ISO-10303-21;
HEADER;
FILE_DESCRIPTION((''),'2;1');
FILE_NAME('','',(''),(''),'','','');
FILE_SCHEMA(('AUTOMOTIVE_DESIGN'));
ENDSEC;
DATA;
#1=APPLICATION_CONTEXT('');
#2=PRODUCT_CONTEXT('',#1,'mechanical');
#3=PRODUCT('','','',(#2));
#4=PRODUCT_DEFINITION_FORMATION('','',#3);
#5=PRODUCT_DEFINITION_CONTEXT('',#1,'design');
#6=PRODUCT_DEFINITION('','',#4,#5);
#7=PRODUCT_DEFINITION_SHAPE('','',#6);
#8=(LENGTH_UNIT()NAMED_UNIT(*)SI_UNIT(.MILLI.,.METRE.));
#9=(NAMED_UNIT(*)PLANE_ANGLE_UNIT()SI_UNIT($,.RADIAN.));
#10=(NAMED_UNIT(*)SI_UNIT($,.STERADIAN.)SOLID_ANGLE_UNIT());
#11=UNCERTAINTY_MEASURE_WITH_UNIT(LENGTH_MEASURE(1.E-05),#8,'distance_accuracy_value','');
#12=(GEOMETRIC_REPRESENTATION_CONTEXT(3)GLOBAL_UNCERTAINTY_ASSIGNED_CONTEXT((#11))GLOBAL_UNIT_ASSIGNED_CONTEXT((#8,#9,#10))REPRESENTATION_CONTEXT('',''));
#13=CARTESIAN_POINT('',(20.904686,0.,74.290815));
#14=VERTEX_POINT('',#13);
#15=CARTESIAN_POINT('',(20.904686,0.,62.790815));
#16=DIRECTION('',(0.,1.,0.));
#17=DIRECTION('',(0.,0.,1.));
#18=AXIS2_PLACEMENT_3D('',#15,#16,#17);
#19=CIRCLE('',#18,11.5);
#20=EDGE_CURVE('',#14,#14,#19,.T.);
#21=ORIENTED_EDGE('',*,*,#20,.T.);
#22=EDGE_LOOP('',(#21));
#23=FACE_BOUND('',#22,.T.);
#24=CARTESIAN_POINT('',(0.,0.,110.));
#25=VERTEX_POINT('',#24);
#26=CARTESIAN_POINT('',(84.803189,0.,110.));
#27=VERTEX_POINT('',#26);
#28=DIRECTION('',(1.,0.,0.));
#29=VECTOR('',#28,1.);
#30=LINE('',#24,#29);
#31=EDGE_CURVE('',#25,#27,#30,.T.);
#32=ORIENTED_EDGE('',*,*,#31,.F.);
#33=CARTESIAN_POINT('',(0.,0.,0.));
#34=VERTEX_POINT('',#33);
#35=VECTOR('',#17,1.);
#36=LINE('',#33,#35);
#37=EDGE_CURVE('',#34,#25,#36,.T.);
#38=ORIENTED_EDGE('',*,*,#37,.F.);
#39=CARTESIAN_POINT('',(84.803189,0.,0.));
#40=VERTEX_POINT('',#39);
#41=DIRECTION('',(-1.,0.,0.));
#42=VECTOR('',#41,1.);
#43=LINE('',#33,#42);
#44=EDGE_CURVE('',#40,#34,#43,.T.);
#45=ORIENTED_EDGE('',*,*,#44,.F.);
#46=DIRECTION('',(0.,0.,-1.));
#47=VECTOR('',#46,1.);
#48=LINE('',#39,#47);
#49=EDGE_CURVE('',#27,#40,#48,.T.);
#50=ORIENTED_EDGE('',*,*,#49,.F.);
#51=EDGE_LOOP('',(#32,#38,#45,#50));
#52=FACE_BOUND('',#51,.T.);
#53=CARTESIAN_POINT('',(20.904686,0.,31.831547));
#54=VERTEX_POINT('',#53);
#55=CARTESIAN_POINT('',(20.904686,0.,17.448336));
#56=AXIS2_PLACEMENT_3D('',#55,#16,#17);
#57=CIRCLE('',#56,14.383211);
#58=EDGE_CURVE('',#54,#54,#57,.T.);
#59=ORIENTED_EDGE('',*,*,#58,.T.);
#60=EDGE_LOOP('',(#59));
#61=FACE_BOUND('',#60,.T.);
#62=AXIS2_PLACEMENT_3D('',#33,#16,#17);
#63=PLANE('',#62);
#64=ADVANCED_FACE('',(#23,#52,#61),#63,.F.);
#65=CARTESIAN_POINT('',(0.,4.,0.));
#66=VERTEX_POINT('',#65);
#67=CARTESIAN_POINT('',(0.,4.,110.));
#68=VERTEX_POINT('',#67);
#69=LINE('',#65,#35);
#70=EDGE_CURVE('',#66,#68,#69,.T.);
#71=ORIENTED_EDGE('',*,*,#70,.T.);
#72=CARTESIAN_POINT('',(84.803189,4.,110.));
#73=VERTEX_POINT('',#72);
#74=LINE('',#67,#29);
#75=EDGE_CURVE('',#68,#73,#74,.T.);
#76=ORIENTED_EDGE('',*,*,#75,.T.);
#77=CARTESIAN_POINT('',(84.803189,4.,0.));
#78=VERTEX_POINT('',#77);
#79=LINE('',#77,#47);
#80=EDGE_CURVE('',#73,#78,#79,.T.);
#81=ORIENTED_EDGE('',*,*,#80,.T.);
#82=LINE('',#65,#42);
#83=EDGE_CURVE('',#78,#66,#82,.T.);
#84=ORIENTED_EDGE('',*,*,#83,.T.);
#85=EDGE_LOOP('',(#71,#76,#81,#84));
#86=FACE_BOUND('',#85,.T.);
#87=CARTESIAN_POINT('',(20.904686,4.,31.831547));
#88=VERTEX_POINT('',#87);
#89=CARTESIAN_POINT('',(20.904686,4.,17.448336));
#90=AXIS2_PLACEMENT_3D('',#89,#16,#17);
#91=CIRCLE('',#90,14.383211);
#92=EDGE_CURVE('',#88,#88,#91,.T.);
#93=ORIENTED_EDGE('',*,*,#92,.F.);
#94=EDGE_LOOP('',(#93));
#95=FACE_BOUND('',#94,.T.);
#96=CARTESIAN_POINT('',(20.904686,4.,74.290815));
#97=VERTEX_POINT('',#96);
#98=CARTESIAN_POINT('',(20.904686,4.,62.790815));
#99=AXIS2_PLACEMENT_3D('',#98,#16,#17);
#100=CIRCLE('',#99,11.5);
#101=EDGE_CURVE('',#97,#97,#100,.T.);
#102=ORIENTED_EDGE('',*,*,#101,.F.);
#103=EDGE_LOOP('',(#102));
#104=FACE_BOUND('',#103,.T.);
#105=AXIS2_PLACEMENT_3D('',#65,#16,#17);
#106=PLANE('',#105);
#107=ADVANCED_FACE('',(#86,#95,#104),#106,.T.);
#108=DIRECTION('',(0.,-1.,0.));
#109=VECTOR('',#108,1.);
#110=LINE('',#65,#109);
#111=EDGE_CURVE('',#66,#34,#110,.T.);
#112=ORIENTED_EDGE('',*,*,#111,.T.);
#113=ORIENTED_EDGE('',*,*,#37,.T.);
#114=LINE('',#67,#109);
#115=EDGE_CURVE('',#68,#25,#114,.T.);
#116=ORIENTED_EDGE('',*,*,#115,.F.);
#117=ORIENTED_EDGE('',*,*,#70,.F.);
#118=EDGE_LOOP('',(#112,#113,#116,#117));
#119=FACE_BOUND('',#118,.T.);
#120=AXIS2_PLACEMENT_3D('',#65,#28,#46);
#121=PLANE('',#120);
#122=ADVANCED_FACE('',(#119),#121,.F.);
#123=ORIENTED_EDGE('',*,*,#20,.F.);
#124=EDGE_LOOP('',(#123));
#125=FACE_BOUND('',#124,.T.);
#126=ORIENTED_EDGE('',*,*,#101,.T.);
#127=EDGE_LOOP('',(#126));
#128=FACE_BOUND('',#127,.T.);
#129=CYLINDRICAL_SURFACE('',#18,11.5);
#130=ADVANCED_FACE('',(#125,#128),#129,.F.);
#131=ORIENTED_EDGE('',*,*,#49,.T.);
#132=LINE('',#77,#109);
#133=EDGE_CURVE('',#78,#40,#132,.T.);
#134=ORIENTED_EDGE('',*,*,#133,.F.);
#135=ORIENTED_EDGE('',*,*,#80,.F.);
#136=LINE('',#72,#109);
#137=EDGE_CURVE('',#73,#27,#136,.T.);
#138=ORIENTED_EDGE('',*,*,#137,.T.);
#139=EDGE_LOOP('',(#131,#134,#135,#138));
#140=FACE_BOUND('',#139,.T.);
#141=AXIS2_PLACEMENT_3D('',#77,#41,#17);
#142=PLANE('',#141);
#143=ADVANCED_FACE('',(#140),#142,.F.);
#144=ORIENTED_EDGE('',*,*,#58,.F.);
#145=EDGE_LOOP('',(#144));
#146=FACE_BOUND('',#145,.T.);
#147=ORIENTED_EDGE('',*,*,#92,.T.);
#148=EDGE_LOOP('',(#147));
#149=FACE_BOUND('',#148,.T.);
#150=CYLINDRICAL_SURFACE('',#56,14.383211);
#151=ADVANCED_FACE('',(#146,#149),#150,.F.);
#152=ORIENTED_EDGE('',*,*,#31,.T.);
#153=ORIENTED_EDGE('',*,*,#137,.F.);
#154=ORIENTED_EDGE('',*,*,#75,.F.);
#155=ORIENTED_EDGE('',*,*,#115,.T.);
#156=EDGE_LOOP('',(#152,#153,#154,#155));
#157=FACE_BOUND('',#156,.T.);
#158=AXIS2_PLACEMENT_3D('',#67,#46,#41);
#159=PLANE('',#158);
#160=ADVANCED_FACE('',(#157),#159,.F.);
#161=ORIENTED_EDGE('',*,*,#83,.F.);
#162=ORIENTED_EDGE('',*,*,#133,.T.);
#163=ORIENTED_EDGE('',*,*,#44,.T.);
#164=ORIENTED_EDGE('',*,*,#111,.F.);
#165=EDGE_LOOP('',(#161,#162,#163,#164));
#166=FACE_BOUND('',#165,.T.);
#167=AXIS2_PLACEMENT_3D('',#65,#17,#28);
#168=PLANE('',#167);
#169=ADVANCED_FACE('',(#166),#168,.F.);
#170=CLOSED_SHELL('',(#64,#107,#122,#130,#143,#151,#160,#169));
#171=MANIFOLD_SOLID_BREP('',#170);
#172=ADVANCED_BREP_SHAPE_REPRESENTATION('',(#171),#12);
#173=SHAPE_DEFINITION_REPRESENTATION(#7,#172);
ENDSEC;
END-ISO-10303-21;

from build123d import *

# Parameters (mm, degrees)
ESQUISSE1_W             = 84.803189305
ESQUISSE1_H             = 110
BOSS_EXTRU_1_DEPTH      = 4
ESQUISSE2_R             = 14.383210578
ESQUISSE2_R_2           = 11.5
ENL_V_MAT_EXTRU_1_DEPTH = 5


with BuildPart() as part:
    # Esquisse1 → Boss.-Extru.1 (new body)
    with BuildSketch(Plane(origin=(0, 0, 0), x_dir=(1, 0, 0), z_dir=(0, 1, 0))):
        with Locations((42.401594653, -55)):
            Rectangle(ESQUISSE1_W, ESQUISSE1_H)
    extrude(amount=BOSS_EXTRU_1_DEPTH)

    # Esquisse2 → Enlèv. mat.-Extru.1 (cut, through all)
    with BuildSketch(Plane(origin=(0, 4, 0), x_dir=(1, 0, 0), z_dir=(0, 1, 0))):
        with Locations((20.904686025, -17.448336439)):
            Circle(ESQUISSE2_R)
        with Locations((20.904686025, -62.790814853)):
            Circle(ESQUISSE2_R_2)
    extrude(amount=-ENL_V_MAT_EXTRU_1_DEPTH, mode=Mode.SUBTRACT)


solid = part.part
